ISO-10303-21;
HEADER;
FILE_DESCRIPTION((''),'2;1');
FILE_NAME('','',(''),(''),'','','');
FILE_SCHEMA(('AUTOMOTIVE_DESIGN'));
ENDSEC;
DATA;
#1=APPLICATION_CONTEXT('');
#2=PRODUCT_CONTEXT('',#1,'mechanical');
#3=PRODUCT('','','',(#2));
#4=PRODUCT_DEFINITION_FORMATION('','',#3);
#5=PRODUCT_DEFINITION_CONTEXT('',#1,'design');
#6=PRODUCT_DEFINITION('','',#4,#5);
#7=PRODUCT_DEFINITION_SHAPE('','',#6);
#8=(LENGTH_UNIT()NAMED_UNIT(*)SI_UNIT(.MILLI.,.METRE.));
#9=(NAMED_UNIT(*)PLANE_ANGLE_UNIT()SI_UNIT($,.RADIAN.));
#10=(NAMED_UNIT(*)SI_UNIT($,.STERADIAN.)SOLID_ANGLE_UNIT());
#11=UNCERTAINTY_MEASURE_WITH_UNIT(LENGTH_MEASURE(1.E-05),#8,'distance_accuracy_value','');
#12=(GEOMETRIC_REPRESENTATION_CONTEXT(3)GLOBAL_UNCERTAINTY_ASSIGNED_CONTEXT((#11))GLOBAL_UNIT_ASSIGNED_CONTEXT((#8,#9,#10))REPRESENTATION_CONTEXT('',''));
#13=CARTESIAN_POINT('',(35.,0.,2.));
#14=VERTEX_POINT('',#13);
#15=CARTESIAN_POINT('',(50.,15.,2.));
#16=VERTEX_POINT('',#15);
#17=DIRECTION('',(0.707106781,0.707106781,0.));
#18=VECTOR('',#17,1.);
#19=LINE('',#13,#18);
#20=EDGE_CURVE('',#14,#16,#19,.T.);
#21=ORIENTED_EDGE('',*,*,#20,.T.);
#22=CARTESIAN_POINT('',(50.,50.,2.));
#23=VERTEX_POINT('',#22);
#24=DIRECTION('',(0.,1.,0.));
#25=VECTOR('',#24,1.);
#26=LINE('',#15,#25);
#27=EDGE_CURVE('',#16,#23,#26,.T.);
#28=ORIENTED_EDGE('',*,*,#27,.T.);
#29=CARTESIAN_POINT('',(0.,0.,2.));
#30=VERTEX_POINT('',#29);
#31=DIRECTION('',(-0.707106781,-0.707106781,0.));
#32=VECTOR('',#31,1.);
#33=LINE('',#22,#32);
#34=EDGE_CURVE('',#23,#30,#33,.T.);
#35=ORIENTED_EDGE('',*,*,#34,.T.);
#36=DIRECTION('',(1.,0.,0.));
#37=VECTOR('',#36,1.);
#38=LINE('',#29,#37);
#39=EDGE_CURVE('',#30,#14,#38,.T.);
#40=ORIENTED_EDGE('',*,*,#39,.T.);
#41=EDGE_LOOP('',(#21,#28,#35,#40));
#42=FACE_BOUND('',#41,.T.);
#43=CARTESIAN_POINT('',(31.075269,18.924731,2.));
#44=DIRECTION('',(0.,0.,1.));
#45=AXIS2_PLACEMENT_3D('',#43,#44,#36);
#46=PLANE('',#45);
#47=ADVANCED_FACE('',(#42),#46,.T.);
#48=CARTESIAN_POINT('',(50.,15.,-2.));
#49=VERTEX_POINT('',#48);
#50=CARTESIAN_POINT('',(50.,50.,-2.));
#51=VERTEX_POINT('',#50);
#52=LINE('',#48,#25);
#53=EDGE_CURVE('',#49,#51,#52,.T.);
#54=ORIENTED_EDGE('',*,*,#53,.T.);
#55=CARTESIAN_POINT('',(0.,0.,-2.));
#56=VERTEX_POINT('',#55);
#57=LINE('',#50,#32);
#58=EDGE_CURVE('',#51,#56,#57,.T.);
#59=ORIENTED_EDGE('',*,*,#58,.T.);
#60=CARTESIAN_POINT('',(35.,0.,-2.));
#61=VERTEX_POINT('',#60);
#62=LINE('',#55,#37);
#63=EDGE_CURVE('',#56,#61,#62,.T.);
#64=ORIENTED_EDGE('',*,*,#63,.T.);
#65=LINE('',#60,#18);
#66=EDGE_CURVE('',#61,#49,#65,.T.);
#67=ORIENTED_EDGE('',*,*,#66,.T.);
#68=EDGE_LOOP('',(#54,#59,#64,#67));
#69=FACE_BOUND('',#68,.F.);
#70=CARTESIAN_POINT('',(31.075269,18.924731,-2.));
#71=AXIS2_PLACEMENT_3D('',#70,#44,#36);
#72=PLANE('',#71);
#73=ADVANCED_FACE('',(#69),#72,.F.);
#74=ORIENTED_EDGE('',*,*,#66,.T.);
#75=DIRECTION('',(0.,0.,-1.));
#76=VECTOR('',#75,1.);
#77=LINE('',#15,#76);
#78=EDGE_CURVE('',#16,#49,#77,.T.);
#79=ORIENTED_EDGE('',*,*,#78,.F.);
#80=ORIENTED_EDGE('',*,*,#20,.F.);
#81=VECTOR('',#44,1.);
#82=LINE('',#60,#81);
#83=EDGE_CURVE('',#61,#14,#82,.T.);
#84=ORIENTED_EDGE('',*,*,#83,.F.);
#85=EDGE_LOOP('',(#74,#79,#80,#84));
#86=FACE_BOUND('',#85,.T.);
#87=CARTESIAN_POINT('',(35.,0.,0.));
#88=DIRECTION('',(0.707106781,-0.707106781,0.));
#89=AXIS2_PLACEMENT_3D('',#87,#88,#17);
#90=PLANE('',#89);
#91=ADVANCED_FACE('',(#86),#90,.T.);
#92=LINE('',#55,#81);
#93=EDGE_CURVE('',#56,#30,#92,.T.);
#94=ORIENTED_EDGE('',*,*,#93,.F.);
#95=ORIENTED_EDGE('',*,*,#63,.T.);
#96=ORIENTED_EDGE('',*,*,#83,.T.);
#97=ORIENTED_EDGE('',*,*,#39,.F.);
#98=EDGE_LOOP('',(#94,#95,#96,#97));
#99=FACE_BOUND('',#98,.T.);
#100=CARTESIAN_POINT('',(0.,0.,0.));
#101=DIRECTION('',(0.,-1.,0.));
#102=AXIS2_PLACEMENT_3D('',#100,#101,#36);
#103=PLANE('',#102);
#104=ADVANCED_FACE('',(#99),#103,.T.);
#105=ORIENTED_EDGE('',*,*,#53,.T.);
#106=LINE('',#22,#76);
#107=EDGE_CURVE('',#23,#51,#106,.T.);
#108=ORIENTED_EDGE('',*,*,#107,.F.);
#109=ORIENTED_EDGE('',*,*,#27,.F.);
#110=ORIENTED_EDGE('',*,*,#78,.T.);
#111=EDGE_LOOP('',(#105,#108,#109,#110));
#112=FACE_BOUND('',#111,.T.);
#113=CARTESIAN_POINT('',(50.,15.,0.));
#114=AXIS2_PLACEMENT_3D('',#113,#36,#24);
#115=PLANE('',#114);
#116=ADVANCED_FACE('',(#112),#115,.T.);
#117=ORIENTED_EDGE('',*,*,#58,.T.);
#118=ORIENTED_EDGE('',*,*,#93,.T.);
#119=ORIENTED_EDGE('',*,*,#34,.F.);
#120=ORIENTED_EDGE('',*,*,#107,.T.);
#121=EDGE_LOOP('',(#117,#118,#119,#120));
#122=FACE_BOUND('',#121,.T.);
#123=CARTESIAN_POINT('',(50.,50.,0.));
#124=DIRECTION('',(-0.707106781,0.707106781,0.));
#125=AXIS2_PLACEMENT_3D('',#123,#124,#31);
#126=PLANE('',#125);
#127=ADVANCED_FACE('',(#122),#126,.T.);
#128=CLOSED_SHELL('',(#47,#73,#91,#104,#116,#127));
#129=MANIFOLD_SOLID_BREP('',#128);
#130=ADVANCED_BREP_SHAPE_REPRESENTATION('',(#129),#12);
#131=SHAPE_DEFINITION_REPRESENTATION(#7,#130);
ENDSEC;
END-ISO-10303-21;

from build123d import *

# Parameters (mm, degrees)
F1_DEPTH = 2


with BuildPart() as f1:
    # F0 (on Top) → F1 (new body, symmetric)
    with BuildSketch(Plane.XY):
        Polygon((50, 50), (0, 0), (35, 0), (50, 15), align=None)
    extrude(amount=F1_DEPTH, both=True)


solid = f1.part
